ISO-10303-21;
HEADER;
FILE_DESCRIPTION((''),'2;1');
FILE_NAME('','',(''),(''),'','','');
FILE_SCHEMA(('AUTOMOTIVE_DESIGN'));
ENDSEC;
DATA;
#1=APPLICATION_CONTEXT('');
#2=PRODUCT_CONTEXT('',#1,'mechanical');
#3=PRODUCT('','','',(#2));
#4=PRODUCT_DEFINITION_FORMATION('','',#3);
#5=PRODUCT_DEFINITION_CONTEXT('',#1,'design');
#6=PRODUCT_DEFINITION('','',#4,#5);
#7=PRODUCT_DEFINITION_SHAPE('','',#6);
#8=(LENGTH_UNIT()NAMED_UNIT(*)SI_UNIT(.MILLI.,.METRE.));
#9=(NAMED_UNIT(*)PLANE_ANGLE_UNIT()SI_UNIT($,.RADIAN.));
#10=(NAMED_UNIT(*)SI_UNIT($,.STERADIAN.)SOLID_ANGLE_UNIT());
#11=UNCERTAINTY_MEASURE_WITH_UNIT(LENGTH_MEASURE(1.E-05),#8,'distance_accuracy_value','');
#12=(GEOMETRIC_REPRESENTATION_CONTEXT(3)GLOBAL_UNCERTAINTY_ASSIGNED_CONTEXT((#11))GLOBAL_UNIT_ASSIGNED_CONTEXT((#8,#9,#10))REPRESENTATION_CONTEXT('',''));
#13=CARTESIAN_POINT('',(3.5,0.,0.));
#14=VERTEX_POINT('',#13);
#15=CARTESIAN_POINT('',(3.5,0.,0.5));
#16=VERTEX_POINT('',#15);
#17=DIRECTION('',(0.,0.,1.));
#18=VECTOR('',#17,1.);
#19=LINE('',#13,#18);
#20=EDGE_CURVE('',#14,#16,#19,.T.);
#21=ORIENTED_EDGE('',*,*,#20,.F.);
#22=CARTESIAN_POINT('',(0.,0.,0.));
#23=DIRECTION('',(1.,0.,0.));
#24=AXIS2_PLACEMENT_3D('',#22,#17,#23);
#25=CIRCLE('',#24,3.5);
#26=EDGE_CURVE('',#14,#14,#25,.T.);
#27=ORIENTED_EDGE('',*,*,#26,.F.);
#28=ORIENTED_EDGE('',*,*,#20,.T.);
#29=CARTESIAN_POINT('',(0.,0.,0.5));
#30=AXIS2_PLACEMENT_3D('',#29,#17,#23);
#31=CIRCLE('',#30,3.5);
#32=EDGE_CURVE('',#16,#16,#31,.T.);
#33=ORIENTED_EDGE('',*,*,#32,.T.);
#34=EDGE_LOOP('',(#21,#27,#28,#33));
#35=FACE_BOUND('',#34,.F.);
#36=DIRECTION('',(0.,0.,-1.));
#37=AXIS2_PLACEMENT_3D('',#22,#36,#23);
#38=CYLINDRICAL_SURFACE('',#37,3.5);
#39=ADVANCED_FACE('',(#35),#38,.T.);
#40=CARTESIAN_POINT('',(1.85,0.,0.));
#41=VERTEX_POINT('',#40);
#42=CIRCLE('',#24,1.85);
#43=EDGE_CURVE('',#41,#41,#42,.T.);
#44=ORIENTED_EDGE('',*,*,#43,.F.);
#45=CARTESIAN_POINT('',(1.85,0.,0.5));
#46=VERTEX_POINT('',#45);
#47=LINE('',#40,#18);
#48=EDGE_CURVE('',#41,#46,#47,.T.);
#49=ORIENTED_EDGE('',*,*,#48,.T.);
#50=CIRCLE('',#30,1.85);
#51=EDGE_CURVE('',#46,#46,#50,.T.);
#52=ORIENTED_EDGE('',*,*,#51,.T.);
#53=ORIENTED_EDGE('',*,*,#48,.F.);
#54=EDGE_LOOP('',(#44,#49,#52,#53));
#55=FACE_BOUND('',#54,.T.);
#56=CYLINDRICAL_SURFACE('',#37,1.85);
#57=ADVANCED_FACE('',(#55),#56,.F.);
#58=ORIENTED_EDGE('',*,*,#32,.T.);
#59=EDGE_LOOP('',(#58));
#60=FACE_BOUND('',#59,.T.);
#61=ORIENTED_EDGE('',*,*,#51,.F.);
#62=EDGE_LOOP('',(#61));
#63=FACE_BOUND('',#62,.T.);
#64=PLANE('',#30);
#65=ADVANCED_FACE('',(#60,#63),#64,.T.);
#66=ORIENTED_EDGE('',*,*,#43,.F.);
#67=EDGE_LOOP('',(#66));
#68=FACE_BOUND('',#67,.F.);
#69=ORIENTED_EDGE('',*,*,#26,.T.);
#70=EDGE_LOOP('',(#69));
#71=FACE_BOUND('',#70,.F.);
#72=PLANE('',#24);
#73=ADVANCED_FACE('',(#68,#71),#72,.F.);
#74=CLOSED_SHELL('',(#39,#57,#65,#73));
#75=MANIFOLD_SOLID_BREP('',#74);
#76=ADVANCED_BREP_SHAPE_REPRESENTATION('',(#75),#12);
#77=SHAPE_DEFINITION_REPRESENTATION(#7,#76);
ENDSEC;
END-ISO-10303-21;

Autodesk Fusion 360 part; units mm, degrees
sketch "Sketch1" plane through (0, 0, 0) normal (0, 0, 1) x (1, 0, 0)
  circle A0 centre (0, 0) radius 3.5
  circle A1 centre (0, 0) radius 1.85
  dimension "d4" = 7
  dimension "d5" = 3.7
extrude "Extrude1" add sketch "Sketch1" along normal blind 0.5
equation "adsk_woutdia = 7.00 mm"
equation "adsk_windia = 3.70 mm"
equation "adsk_wthick = 0.50 mm"
equation "d4 = adsk_woutdia"
equation "d5 = adsk_windia"
equation "d6 = adsk_wthick"
equation "d30 = adsk_wthick"
properties part number "DIN 433 - 3.7 Steel 100 HV Plain"
